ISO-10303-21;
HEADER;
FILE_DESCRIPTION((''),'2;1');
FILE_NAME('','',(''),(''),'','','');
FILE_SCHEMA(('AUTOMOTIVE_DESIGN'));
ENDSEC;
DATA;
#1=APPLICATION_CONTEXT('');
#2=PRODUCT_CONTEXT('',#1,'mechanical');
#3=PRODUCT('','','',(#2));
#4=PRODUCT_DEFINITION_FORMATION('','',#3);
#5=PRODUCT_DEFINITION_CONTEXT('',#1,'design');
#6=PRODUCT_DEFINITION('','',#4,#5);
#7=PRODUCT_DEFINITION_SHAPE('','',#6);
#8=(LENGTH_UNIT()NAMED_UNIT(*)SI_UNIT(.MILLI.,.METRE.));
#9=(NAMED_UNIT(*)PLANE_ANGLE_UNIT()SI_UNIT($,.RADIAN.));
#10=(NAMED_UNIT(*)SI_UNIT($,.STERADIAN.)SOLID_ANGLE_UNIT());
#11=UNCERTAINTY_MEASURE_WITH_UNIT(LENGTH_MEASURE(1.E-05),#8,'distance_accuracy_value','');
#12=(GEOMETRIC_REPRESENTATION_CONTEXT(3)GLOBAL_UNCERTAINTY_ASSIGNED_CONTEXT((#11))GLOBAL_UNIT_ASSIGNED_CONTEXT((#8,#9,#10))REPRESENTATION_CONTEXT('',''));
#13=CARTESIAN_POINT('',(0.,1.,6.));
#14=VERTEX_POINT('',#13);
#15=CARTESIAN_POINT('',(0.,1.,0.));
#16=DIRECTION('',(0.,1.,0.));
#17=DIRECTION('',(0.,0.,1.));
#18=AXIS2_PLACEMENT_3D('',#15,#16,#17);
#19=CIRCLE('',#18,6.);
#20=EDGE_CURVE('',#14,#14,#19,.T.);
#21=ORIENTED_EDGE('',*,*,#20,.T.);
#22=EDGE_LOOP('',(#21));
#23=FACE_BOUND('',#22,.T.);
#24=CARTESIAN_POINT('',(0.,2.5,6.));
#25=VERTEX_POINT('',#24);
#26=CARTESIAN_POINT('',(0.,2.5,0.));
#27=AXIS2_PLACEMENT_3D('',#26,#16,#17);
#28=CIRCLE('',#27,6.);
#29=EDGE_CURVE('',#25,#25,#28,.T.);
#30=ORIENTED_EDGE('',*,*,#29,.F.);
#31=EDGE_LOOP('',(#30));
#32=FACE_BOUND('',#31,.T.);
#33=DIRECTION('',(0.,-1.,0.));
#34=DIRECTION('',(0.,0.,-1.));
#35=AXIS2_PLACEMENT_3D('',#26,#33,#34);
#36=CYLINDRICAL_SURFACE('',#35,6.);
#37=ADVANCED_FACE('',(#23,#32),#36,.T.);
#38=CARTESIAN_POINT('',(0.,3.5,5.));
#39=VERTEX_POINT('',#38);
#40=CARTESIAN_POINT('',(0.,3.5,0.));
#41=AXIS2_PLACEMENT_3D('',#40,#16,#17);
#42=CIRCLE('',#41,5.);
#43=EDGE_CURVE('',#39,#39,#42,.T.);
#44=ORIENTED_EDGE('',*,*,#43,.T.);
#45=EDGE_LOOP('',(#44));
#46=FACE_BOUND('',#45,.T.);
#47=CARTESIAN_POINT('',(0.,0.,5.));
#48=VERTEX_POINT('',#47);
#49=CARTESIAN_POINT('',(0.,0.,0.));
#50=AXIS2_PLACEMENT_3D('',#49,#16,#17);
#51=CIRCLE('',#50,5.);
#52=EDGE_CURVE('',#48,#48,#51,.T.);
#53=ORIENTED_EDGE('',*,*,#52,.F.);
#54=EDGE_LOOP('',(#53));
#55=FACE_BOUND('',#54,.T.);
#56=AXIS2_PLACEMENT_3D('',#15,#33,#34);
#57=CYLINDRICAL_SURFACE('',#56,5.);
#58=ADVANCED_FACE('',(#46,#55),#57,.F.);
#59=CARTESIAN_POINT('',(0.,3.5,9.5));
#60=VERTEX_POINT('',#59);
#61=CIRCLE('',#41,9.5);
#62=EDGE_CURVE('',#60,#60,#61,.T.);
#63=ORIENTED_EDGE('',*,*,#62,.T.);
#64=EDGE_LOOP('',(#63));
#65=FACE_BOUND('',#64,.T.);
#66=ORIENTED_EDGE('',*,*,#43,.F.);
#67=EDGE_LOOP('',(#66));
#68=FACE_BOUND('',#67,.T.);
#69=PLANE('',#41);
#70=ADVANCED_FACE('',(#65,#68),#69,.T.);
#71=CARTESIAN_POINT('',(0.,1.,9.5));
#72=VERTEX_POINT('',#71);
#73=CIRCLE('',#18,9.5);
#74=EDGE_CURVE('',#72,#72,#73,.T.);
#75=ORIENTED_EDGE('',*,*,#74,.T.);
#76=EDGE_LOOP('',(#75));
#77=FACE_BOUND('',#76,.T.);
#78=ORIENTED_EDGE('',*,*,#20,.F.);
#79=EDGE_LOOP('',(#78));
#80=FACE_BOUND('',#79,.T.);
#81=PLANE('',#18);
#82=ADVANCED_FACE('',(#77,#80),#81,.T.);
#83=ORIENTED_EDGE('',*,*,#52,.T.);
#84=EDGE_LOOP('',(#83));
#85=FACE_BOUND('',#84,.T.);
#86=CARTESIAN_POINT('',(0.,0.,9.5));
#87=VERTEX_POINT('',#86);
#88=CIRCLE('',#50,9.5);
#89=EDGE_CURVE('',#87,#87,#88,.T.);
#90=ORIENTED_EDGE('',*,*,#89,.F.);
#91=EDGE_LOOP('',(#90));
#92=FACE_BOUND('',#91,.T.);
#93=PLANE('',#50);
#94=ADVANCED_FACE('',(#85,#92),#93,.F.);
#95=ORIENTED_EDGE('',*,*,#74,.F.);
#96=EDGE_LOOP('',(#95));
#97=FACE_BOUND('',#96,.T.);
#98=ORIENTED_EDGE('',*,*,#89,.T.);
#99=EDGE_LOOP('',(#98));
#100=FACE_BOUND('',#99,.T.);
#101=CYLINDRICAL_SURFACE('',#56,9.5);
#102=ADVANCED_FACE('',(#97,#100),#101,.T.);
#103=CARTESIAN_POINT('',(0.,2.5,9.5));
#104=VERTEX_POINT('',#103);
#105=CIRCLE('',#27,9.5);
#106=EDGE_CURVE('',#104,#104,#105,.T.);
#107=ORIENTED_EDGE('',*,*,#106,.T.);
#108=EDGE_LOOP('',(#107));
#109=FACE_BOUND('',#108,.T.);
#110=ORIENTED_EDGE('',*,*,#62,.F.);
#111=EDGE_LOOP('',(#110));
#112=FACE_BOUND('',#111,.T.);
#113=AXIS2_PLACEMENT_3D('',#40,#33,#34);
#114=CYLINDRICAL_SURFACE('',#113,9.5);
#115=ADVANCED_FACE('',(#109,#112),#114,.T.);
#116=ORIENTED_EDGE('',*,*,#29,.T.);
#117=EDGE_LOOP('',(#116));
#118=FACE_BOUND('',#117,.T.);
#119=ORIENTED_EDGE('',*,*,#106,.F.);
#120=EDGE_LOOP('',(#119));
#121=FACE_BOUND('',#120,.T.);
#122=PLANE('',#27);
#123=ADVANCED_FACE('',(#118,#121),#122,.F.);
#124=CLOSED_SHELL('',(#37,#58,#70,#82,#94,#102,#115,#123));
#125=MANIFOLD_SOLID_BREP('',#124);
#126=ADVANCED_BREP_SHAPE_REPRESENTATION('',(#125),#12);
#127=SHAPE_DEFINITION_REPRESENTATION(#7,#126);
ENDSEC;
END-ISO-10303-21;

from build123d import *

# Parameters (mm, degrees)
SKETCH_1_R      = 9.5
SKETCH_1_R_2    = 5
EXTRUDE_1_DEPTH = 1
SKETCH_2_R      = 6
SKETCH_2_R_2    = 5
EXTRUDE_2_DEPTH = 1.5
SKETCH_3_R      = 9.5
SKETCH_3_R_2    = 5
EXTRUDE_3_DEPTH = 1


with BuildPart() as part:
    # 草图1 → 凸台-拉伸1 (new body)
    with BuildSketch(Plane(origin=(0, 0, 0), x_dir=(1, 0, 0), z_dir=(0, 1, 0))):
        with Locations(Location((0, 0, 0), (0, 0, 270))):
            Circle(SKETCH_1_R)
        with Locations(Location((0, 0, 0), (0, 0, 270))):
            Circle(SKETCH_1_R_2, mode=Mode.SUBTRACT)
    extrude(amount=EXTRUDE_1_DEPTH)

    # 草图2 → 凸台-拉伸2 (add)
    with BuildSketch(Plane(origin=(0, 1, 0), x_dir=(1, 0, 0), z_dir=(0, 1, 0))):
        with Locations(Location((0, 0, 0), (0, 0, 270))):
            Circle(SKETCH_2_R)
        with Locations(Location((0, 0, 0), (0, 0, 270))):
            Circle(SKETCH_2_R_2, mode=Mode.SUBTRACT)
    extrude(amount=EXTRUDE_2_DEPTH)

    # 草图3 → 凸台-拉伸3 (add)
    with BuildSketch(Plane(origin=(0, 2.5, 0), x_dir=(1, 0, 0), z_dir=(0, 1, 0))):
        with Locations(Location((0, 0, 0), (0, 0, 270))):
            Circle(SKETCH_3_R)
        with Locations(Location((0, 0, 0), (0, 0, 270))):
            Circle(SKETCH_3_R_2, mode=Mode.SUBTRACT)
    extrude(amount=EXTRUDE_3_DEPTH)


solid = part.part
